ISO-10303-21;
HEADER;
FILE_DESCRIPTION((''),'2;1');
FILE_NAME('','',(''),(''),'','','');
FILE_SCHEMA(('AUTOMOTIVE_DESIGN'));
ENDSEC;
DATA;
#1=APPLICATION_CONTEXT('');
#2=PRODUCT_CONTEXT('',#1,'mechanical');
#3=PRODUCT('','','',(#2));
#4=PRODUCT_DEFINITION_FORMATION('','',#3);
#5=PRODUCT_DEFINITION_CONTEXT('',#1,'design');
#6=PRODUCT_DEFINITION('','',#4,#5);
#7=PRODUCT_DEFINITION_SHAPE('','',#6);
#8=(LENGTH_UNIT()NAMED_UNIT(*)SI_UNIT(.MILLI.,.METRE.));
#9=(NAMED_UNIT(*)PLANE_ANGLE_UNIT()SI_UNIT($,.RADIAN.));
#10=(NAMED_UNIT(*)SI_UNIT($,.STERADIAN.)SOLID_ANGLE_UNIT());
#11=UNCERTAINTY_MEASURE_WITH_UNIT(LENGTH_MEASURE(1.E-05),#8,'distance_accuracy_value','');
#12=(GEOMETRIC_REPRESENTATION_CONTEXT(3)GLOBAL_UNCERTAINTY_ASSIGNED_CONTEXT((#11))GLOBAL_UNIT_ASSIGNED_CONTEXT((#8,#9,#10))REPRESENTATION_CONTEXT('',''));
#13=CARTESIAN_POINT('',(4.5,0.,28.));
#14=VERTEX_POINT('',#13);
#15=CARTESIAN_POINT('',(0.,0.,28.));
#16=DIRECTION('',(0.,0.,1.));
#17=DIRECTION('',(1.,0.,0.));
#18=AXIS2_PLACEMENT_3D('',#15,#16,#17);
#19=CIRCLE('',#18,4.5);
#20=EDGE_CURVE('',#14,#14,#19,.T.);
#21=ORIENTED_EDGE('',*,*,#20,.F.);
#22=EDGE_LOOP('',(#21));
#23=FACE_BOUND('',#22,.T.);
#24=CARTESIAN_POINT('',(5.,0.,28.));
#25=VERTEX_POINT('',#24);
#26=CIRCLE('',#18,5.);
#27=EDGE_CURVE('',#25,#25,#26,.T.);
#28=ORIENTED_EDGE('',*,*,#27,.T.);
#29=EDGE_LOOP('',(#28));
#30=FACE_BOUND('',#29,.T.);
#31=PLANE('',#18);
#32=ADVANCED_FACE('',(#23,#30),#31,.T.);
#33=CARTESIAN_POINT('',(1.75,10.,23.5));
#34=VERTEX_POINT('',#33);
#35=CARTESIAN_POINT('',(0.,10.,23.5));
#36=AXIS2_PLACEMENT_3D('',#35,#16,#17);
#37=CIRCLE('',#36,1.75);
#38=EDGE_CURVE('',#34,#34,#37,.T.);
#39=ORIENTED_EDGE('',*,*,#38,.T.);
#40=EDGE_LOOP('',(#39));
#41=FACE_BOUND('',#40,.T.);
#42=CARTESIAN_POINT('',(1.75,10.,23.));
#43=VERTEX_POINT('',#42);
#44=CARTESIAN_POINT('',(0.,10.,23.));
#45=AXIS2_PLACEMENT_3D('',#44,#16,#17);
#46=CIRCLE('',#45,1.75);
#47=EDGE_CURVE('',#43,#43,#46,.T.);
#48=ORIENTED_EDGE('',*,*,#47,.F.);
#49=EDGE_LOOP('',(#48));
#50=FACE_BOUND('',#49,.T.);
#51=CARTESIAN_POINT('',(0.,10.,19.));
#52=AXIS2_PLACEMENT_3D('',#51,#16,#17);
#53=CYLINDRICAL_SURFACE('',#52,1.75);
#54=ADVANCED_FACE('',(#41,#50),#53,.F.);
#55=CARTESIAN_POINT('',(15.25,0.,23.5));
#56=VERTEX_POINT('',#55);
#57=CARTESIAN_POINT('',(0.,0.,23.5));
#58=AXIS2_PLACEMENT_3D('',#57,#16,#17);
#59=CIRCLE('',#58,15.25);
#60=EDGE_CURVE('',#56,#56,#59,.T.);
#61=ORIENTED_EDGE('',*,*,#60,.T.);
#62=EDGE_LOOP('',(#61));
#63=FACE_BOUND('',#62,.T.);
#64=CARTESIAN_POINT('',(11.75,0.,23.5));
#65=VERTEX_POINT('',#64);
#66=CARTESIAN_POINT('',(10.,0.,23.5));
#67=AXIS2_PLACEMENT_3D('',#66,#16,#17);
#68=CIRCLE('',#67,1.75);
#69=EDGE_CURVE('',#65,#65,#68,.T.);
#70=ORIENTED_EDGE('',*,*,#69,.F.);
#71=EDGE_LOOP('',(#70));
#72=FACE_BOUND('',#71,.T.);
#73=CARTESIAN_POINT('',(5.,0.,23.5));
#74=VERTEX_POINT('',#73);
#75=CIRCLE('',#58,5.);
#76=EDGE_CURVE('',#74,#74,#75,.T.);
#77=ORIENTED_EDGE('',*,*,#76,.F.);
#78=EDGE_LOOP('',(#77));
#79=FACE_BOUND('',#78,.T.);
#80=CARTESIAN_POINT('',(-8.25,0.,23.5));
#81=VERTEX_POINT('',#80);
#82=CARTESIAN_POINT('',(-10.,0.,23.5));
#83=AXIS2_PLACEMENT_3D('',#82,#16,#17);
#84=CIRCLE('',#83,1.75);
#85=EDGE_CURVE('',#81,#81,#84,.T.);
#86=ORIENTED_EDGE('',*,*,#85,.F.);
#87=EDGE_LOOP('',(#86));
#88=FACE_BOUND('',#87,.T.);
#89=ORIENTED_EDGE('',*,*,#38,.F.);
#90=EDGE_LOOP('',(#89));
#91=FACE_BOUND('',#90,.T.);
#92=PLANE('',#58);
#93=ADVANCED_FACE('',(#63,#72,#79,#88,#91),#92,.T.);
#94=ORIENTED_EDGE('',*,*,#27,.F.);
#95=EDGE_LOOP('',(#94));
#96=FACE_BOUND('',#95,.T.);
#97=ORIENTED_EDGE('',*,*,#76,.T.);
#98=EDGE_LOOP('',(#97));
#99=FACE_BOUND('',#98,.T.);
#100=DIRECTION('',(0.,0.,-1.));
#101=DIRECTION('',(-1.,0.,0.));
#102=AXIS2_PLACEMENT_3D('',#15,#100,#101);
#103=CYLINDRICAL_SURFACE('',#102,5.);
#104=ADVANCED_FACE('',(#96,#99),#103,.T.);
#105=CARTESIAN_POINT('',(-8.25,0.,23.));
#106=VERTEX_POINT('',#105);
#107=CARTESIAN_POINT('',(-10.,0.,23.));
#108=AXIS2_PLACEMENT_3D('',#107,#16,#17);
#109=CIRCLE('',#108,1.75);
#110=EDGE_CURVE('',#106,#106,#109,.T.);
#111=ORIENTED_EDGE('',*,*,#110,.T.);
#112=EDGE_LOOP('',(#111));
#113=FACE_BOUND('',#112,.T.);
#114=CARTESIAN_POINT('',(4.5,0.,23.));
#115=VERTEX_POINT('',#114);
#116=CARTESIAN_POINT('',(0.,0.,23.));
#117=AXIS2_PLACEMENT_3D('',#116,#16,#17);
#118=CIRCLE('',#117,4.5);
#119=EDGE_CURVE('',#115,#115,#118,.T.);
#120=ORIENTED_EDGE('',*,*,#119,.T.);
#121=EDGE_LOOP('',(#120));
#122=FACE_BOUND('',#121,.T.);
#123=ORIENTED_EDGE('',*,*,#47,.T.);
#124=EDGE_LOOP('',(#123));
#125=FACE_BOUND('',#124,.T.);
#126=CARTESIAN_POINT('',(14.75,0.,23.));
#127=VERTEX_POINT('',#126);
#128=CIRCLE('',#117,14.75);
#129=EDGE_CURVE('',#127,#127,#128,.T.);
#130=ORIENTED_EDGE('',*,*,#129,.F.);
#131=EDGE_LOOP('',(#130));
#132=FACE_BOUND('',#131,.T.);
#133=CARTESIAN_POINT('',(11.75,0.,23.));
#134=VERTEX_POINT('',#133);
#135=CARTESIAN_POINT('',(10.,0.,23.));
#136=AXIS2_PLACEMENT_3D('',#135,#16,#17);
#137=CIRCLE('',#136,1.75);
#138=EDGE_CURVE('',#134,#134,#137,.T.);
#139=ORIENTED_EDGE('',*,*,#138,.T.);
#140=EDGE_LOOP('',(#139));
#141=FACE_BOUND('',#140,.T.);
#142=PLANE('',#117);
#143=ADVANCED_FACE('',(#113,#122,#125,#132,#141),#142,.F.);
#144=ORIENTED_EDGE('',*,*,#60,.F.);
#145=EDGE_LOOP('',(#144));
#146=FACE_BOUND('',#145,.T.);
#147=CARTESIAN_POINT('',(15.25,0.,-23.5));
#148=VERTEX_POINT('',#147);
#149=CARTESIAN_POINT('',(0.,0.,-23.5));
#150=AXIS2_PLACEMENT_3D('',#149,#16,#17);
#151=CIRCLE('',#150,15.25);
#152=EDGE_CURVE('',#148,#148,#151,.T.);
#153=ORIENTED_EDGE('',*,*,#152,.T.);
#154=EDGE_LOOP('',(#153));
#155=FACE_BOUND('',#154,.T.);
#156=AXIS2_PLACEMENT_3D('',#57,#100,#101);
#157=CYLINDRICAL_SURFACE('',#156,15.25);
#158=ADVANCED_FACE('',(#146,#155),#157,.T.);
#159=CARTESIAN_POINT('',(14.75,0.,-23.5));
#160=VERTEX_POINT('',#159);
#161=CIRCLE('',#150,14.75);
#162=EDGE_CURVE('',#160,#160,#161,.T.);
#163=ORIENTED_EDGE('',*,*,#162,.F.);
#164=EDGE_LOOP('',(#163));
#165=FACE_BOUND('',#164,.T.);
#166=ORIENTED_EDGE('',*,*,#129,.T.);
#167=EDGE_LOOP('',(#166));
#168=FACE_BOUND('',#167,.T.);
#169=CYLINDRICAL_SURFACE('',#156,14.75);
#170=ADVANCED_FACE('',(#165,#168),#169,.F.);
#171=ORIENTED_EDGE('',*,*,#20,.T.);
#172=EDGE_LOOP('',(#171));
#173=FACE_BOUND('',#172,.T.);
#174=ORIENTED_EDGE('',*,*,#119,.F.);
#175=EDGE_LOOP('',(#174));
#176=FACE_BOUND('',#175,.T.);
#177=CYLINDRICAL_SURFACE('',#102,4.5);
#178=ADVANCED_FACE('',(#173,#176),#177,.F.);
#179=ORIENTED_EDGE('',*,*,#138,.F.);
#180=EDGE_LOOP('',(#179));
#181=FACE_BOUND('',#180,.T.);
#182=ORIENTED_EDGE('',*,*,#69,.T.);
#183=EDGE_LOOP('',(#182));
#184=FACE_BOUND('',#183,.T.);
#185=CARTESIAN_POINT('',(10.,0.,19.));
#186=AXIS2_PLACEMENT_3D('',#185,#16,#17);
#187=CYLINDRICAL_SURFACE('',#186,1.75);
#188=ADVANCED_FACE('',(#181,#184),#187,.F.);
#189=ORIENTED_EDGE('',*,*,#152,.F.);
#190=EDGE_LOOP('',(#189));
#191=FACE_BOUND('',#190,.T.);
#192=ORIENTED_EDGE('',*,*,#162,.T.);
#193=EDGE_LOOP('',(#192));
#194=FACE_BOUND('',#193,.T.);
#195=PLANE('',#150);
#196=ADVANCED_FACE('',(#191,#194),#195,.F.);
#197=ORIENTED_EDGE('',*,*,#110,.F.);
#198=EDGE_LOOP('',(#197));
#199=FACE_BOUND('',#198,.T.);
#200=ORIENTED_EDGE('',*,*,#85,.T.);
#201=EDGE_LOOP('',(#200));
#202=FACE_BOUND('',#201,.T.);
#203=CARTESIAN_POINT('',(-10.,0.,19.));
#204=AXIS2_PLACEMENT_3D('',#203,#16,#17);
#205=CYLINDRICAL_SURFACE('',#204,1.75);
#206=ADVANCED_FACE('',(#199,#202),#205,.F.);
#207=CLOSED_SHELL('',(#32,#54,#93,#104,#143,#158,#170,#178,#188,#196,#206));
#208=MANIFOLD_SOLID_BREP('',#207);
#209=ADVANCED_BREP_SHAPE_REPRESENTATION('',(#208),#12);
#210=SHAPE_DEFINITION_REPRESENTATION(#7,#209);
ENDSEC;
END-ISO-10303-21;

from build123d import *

# Parameters (mm, degrees)
SKETCH1_R           = 15.25
BOSS_EXTRUDE1_DEPTH = 23.5
SKETCH2_R           = 5
BOSS_EXTRUDE2_DEPTH = 4.5
SHELL1_T            = -0.5
SKETCH3_R           = 1.75
CUT_EXTRUDE1_DEPTH  = 4.5


with BuildPart() as part:
    # Sketch1 → Boss-Extrude1 (new, symmetric)
    with BuildSketch(Plane.XY):
        Circle(SKETCH1_R)
    extrude(amount=BOSS_EXTRUDE1_DEPTH, both=True)

    # Sketch2 → Boss-Extrude2 (add)
    with BuildSketch(Plane.XY.offset(23.5)):
        Circle(SKETCH2_R)
    extrude(amount=BOSS_EXTRUDE2_DEPTH)

    # Shell1
    shell1_openings = [part.faces().sort_by_distance(p)[0] for p in [
        (0, 0, -23.5),
        (0, 0, 28),
    ]]
    offset(amount=SHELL1_T, openings=shell1_openings, kind=Kind.INTERSECTION)

    # Sketch3 → Cut-Extrude1 (cut)
    with BuildSketch(Plane.XY.offset(23.5)):
        with Locations((-10, 0)):
            Circle(SKETCH3_R)
        with Locations((0, 10)):
            Circle(SKETCH3_R)
        with Locations((10, 0)):
            Circle(SKETCH3_R)
    extrude(amount=-CUT_EXTRUDE1_DEPTH, mode=Mode.SUBTRACT)


solid = part.part
